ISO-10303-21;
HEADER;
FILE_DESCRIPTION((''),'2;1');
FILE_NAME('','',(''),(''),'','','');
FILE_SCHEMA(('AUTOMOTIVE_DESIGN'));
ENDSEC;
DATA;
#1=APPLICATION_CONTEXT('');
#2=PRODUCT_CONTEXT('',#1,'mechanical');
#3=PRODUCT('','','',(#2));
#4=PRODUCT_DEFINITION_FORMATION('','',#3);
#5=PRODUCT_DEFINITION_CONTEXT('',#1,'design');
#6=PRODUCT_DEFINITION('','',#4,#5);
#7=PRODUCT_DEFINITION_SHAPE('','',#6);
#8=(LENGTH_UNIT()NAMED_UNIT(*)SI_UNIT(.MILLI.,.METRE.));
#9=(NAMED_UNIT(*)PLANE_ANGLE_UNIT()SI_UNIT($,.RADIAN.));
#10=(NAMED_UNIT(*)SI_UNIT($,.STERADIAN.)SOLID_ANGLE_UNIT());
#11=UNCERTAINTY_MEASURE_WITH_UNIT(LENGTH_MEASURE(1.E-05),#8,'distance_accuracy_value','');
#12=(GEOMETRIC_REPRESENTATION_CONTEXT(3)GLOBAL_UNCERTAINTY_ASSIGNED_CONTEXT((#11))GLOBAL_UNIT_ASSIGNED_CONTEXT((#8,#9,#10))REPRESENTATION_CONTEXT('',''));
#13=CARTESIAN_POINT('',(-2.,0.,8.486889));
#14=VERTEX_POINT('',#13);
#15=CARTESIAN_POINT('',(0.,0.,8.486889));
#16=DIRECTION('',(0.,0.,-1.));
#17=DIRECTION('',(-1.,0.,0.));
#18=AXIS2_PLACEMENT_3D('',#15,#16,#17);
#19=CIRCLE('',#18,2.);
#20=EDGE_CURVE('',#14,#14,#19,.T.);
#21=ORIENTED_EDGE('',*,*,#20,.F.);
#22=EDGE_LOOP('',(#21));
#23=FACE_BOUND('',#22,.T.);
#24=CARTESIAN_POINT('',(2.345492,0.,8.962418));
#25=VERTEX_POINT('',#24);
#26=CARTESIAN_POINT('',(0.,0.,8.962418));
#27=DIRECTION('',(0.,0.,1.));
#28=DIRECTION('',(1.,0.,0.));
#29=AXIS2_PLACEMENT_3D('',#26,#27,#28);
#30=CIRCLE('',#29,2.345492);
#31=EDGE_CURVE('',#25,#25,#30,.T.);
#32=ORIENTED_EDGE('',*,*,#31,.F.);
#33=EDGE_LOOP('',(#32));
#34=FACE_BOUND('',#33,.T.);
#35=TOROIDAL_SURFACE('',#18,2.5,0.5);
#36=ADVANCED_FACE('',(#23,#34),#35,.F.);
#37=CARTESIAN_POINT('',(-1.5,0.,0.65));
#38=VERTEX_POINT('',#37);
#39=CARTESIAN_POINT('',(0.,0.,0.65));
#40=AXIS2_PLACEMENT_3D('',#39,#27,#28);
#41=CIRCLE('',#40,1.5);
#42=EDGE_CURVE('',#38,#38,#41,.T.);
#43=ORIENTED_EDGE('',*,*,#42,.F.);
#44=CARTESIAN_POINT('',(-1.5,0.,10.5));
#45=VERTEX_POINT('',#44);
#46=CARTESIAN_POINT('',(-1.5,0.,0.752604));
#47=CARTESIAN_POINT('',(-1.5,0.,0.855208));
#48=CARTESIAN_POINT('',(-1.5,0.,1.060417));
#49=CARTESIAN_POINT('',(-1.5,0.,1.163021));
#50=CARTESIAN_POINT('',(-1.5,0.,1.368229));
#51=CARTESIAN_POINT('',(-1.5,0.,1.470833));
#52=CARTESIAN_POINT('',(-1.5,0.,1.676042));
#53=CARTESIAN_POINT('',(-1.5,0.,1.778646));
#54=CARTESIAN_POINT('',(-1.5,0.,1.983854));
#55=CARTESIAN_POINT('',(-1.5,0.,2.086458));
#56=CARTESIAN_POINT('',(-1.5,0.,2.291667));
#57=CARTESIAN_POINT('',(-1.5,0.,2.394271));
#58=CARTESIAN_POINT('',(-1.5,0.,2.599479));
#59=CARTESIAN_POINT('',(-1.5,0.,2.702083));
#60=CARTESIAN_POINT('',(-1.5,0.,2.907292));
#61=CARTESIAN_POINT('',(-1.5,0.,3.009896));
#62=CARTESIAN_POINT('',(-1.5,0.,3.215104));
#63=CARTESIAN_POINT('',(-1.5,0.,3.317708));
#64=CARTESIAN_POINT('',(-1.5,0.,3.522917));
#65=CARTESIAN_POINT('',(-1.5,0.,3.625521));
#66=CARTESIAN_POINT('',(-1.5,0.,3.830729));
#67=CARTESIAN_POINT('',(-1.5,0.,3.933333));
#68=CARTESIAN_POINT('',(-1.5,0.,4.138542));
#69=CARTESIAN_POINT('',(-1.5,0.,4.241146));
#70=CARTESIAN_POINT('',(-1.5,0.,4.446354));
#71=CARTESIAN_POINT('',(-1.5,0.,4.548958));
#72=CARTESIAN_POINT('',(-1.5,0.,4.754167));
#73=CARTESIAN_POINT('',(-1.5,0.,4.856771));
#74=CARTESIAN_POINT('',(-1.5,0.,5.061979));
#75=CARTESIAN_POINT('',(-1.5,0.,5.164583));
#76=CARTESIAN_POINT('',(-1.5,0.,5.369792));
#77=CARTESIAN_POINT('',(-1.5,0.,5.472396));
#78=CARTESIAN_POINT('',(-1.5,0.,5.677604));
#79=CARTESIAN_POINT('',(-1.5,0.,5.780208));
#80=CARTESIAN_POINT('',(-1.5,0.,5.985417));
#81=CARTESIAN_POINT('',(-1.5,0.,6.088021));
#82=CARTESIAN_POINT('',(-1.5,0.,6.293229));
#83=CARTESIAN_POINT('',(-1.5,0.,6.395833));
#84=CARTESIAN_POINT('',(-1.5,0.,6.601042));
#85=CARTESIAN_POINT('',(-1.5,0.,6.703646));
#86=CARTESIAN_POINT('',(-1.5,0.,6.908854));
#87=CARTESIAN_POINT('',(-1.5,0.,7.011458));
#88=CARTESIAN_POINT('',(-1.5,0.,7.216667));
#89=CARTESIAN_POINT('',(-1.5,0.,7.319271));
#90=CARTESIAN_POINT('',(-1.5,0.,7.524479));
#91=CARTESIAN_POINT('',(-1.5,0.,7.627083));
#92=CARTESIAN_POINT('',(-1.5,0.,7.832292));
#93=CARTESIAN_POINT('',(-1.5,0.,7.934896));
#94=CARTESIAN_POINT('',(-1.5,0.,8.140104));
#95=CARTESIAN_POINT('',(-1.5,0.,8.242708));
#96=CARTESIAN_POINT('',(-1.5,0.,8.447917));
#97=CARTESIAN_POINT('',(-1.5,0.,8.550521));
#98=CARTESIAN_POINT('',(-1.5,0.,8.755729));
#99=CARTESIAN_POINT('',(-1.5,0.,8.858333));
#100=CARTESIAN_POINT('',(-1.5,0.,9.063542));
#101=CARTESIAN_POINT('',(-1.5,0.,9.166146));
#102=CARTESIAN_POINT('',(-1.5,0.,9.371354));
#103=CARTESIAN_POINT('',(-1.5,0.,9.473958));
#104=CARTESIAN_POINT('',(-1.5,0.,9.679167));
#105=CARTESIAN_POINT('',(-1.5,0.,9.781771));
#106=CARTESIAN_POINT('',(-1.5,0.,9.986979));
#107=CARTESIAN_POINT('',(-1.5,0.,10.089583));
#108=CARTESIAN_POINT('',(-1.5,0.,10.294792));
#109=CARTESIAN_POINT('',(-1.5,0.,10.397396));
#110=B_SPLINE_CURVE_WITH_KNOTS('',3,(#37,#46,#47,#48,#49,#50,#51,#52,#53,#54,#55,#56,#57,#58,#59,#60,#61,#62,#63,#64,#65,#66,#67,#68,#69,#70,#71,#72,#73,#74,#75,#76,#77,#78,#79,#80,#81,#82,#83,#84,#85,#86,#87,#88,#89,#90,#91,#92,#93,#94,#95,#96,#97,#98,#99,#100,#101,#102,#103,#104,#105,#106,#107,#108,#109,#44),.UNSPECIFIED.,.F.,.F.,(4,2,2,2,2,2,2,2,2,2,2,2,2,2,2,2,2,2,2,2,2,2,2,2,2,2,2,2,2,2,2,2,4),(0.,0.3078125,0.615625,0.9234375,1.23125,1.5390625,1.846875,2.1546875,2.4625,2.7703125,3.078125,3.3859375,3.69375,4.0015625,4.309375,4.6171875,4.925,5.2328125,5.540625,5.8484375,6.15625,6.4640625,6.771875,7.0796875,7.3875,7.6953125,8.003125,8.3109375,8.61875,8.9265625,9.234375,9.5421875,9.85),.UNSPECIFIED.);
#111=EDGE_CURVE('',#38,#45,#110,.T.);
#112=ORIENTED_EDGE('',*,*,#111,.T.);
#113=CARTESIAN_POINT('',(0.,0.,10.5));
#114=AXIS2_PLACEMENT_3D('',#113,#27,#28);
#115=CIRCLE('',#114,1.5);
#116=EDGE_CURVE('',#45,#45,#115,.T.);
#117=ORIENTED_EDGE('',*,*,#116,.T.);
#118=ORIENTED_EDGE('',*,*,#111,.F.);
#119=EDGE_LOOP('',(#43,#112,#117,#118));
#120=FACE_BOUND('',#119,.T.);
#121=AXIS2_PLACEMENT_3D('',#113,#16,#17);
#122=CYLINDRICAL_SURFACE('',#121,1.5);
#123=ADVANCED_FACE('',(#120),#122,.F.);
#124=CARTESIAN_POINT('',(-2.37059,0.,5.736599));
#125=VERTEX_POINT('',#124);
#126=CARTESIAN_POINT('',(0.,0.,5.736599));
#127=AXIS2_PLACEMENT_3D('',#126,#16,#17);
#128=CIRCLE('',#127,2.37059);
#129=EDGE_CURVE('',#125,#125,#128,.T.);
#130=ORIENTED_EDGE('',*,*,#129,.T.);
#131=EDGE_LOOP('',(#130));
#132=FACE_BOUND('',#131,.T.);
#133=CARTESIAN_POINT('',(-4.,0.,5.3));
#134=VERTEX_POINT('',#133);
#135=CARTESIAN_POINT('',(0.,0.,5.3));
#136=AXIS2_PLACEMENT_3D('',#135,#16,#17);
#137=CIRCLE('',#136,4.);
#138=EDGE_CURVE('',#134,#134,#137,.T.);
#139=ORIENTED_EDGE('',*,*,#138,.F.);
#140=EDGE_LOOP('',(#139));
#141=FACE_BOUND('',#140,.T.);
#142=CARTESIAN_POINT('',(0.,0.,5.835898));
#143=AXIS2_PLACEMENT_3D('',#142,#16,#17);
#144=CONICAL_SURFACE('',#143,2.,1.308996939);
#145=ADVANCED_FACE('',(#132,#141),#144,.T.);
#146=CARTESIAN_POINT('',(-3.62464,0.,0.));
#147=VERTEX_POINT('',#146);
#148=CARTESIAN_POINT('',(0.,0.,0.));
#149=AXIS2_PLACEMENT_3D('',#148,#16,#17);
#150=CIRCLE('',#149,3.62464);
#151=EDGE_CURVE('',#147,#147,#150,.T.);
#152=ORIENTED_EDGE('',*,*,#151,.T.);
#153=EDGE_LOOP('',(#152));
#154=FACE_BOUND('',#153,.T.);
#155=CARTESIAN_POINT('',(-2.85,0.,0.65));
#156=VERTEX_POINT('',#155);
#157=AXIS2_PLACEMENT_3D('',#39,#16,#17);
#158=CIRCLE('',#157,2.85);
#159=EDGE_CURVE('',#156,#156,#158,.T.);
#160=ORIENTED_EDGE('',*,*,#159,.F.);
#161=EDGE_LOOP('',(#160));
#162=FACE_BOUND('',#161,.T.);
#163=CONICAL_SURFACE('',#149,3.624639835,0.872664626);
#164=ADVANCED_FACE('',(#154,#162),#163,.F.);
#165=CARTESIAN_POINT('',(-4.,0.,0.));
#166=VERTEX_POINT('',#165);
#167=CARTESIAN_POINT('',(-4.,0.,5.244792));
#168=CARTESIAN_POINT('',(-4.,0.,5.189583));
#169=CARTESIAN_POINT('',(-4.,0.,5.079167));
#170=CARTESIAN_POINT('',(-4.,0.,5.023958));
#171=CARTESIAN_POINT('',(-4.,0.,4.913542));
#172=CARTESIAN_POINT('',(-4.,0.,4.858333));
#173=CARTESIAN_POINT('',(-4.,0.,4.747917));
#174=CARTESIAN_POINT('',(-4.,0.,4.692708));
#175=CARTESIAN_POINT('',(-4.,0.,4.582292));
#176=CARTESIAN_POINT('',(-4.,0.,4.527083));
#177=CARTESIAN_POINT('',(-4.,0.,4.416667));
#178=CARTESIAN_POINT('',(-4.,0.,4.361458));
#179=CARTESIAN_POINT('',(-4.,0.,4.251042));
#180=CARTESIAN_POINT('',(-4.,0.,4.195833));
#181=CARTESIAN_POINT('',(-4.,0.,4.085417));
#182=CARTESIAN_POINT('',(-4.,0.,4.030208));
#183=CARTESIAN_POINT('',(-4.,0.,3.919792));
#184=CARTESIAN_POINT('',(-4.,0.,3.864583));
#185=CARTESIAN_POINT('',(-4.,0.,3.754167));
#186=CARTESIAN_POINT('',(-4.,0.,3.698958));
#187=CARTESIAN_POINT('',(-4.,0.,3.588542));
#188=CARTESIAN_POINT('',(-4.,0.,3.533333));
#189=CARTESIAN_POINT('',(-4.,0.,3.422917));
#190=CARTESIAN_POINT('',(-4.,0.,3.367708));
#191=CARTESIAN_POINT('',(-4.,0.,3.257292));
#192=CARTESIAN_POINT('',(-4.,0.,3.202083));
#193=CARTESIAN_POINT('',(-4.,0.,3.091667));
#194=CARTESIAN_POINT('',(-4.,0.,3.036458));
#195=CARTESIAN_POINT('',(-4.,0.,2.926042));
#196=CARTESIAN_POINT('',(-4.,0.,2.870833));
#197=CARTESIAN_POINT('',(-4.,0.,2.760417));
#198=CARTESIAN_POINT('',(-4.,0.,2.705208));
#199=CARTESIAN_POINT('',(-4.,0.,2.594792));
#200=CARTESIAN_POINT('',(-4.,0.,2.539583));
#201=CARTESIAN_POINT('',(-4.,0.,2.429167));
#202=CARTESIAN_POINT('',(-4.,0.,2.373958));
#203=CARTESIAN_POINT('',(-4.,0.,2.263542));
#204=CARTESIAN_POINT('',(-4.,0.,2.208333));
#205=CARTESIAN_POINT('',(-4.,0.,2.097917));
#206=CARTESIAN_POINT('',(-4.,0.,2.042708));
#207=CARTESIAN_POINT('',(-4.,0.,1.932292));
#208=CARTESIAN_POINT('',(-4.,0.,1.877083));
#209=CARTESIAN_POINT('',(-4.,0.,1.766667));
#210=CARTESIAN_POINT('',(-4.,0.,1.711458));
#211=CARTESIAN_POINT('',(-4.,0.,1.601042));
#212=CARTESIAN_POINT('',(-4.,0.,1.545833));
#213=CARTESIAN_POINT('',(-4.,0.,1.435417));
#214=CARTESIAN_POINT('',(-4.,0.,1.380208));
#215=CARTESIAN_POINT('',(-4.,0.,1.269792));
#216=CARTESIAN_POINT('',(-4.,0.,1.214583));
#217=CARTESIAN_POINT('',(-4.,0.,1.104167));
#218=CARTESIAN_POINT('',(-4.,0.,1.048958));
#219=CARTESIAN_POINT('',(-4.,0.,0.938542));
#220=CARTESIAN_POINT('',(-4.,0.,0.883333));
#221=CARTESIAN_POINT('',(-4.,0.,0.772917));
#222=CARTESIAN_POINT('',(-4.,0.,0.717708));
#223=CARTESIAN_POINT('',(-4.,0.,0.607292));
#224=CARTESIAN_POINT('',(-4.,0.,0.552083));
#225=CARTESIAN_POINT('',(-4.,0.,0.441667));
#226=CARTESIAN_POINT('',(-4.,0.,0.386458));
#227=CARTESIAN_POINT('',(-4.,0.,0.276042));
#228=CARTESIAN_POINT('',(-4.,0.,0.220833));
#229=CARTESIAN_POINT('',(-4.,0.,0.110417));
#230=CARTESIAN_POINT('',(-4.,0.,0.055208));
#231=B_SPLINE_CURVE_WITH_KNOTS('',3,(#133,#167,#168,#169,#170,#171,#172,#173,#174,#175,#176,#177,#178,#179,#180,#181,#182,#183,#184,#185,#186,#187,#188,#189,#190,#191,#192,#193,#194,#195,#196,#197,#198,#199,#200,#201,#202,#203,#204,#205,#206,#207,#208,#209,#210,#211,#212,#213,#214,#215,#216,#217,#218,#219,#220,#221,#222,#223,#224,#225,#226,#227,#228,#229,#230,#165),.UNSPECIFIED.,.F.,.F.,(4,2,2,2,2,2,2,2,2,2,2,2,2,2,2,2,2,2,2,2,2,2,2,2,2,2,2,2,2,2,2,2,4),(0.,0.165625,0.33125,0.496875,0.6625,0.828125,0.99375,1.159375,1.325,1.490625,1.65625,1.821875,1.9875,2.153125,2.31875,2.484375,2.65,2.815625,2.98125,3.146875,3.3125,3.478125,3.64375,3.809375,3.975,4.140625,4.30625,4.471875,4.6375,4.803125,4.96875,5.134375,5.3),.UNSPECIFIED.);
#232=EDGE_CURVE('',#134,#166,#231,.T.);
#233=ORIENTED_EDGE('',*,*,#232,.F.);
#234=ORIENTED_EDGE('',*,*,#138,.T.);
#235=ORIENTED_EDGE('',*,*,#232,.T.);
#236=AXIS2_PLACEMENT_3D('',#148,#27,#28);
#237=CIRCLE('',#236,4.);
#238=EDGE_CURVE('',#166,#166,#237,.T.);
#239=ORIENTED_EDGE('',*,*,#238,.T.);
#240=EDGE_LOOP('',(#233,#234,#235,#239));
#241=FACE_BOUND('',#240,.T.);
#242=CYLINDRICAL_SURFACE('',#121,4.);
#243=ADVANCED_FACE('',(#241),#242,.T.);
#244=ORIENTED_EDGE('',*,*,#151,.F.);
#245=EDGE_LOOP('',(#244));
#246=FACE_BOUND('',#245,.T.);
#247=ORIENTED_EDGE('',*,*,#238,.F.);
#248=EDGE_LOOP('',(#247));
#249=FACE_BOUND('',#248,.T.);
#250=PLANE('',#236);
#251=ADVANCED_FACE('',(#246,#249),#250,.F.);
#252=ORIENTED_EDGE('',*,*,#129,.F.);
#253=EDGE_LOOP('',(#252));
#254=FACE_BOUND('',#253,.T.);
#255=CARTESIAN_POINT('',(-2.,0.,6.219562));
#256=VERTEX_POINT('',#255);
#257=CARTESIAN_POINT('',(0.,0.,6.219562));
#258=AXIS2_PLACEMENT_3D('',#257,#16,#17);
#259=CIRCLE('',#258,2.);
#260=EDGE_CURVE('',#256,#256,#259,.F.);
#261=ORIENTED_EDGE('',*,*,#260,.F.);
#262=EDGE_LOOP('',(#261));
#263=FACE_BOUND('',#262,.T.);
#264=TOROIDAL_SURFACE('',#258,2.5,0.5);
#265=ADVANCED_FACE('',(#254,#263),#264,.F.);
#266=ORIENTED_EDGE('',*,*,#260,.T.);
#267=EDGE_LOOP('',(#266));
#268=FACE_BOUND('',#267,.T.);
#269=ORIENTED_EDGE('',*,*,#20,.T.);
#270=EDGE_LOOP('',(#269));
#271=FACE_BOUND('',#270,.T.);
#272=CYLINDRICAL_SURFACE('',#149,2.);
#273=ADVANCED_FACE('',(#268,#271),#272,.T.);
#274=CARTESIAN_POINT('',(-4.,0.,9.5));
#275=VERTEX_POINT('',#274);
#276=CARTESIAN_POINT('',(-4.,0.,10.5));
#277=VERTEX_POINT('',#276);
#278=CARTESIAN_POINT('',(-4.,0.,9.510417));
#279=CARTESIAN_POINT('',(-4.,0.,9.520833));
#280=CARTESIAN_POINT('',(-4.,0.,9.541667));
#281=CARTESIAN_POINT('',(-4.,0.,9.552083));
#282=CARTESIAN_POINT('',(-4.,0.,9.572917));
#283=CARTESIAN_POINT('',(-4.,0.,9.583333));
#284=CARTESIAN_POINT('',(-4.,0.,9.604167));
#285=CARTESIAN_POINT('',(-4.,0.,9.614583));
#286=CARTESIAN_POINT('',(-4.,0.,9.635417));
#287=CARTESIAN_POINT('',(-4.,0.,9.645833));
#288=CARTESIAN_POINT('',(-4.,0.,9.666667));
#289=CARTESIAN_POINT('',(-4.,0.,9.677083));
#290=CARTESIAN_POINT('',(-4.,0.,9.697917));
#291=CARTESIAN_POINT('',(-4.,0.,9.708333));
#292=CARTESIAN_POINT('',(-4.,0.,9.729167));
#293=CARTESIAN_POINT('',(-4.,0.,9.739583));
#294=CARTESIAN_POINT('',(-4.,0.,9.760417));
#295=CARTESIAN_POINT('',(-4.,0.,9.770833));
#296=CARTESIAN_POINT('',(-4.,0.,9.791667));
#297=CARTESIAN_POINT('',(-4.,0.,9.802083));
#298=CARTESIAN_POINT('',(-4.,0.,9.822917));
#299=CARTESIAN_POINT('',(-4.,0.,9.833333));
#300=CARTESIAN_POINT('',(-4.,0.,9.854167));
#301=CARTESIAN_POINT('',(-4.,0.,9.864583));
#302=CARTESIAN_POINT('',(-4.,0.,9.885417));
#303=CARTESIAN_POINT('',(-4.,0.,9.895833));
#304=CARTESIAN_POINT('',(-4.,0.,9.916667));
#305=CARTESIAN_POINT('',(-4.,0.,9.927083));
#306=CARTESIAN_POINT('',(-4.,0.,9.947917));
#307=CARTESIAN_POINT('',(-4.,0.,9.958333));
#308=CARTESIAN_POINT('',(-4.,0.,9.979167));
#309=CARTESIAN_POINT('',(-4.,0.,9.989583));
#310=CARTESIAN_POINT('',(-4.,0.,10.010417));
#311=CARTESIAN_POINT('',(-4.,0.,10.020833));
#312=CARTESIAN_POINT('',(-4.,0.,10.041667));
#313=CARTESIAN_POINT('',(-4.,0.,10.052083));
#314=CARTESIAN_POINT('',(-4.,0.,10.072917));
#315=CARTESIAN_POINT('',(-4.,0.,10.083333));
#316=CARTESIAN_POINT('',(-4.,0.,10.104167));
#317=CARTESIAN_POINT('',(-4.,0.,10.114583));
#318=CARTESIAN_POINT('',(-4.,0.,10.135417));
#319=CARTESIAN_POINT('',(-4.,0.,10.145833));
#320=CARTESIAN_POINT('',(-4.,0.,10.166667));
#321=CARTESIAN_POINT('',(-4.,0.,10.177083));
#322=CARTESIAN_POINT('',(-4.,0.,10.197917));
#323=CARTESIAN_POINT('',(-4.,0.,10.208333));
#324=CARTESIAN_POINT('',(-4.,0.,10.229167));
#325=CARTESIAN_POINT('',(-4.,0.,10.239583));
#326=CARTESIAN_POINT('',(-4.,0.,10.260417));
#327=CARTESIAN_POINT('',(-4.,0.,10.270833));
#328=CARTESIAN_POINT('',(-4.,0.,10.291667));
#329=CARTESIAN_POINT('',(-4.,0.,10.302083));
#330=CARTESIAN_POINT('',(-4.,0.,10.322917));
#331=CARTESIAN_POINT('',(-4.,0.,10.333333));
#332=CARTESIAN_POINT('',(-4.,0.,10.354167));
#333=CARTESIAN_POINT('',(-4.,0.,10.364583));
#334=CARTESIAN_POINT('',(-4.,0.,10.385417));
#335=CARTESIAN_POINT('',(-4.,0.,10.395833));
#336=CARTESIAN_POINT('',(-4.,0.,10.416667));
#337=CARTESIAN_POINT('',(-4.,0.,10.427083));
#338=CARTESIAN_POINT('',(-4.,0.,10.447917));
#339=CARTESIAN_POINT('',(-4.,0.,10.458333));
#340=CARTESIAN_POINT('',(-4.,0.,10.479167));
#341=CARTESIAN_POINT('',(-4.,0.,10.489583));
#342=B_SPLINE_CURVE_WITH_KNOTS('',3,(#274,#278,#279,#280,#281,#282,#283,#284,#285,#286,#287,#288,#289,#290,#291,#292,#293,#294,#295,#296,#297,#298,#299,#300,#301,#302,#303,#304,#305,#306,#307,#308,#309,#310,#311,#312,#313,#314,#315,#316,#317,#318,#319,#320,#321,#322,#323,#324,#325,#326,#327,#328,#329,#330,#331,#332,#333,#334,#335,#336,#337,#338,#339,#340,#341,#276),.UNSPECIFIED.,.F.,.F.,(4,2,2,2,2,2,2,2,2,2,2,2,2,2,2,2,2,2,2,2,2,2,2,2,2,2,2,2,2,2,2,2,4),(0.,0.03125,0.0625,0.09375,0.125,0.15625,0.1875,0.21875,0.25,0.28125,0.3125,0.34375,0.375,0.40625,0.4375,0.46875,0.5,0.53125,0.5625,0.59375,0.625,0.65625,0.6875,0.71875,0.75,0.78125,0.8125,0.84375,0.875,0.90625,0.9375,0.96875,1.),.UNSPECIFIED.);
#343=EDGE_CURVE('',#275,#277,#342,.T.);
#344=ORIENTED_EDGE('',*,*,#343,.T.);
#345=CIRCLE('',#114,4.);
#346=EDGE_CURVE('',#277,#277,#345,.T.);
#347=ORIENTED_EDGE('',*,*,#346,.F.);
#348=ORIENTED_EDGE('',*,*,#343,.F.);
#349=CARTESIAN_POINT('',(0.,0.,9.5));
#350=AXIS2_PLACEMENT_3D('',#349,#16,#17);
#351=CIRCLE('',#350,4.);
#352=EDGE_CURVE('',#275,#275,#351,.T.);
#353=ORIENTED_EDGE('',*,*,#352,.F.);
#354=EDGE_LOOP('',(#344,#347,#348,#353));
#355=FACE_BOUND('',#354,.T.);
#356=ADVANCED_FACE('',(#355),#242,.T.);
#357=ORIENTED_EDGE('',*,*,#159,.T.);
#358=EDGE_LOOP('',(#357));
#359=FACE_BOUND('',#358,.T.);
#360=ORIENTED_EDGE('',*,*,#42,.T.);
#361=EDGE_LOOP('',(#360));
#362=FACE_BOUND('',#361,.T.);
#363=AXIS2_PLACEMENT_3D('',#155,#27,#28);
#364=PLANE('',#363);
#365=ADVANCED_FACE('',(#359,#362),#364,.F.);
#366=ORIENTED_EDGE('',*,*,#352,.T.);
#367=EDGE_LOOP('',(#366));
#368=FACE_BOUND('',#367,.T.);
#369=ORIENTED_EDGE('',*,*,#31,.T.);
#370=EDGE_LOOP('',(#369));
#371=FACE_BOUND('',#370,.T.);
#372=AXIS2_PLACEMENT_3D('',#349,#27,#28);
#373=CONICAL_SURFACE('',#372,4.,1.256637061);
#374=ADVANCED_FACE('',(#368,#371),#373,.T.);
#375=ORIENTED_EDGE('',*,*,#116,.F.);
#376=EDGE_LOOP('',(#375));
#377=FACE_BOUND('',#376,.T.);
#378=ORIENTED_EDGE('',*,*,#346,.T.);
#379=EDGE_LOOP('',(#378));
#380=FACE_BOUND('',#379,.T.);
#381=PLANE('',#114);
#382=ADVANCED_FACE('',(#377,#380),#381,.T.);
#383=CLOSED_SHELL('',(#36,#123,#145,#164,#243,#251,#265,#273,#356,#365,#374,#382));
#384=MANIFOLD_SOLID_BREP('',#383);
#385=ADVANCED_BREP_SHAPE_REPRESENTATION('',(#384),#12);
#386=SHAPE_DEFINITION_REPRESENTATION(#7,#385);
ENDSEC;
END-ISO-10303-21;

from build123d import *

# Parameters (mm, degrees)
SKETCH_1_R      = 4
SKETCH_1_R_2    = 1.5
EXTRUDE_1_DEPTH = 10.5
FILLET_1_R      = 0.5


with BuildPart() as part:
    # 草图1 → 凸台-拉伸1 (new body)
    with BuildSketch(Plane.XY):
        with Locations(Location((0, 0, 0), (0, 0, 180))):
            Circle(SKETCH_1_R)
        with Locations(Location((0, 0, 0), (0, 0, 180))):
            Circle(SKETCH_1_R_2, mode=Mode.SUBTRACT)
    extrude(amount=EXTRUDE_1_DEPTH)

    # 草图3 → 切除-旋转1 (revolve, cut)
    with BuildSketch(Plane(origin=(0, 0, 0), x_dir=(1, 0, 0), z_dir=(0, 1, 0))):
        Polygon((-3.624639835, 0), (-2.85, -0.65), (0, -0.65), (0, 0), align=None)
        Polygon((-4, -5.3), (-4, -9.5), (-2, -8.850160608), (-2, -5.835898385), align=None)
    revolve(axis=Axis((0, 0, 0), (0, 0, 1)), mode=Mode.SUBTRACT)

    # 圆角1
    fillet_1_edges = [part.edges().sort_by_distance(p)[0] for p in [
        (2, 0, 5.835898385),
        (2, 0, 8.850160608),
    ]]
    fillet(fillet_1_edges, radius=FILLET_1_R)


solid = part.part
